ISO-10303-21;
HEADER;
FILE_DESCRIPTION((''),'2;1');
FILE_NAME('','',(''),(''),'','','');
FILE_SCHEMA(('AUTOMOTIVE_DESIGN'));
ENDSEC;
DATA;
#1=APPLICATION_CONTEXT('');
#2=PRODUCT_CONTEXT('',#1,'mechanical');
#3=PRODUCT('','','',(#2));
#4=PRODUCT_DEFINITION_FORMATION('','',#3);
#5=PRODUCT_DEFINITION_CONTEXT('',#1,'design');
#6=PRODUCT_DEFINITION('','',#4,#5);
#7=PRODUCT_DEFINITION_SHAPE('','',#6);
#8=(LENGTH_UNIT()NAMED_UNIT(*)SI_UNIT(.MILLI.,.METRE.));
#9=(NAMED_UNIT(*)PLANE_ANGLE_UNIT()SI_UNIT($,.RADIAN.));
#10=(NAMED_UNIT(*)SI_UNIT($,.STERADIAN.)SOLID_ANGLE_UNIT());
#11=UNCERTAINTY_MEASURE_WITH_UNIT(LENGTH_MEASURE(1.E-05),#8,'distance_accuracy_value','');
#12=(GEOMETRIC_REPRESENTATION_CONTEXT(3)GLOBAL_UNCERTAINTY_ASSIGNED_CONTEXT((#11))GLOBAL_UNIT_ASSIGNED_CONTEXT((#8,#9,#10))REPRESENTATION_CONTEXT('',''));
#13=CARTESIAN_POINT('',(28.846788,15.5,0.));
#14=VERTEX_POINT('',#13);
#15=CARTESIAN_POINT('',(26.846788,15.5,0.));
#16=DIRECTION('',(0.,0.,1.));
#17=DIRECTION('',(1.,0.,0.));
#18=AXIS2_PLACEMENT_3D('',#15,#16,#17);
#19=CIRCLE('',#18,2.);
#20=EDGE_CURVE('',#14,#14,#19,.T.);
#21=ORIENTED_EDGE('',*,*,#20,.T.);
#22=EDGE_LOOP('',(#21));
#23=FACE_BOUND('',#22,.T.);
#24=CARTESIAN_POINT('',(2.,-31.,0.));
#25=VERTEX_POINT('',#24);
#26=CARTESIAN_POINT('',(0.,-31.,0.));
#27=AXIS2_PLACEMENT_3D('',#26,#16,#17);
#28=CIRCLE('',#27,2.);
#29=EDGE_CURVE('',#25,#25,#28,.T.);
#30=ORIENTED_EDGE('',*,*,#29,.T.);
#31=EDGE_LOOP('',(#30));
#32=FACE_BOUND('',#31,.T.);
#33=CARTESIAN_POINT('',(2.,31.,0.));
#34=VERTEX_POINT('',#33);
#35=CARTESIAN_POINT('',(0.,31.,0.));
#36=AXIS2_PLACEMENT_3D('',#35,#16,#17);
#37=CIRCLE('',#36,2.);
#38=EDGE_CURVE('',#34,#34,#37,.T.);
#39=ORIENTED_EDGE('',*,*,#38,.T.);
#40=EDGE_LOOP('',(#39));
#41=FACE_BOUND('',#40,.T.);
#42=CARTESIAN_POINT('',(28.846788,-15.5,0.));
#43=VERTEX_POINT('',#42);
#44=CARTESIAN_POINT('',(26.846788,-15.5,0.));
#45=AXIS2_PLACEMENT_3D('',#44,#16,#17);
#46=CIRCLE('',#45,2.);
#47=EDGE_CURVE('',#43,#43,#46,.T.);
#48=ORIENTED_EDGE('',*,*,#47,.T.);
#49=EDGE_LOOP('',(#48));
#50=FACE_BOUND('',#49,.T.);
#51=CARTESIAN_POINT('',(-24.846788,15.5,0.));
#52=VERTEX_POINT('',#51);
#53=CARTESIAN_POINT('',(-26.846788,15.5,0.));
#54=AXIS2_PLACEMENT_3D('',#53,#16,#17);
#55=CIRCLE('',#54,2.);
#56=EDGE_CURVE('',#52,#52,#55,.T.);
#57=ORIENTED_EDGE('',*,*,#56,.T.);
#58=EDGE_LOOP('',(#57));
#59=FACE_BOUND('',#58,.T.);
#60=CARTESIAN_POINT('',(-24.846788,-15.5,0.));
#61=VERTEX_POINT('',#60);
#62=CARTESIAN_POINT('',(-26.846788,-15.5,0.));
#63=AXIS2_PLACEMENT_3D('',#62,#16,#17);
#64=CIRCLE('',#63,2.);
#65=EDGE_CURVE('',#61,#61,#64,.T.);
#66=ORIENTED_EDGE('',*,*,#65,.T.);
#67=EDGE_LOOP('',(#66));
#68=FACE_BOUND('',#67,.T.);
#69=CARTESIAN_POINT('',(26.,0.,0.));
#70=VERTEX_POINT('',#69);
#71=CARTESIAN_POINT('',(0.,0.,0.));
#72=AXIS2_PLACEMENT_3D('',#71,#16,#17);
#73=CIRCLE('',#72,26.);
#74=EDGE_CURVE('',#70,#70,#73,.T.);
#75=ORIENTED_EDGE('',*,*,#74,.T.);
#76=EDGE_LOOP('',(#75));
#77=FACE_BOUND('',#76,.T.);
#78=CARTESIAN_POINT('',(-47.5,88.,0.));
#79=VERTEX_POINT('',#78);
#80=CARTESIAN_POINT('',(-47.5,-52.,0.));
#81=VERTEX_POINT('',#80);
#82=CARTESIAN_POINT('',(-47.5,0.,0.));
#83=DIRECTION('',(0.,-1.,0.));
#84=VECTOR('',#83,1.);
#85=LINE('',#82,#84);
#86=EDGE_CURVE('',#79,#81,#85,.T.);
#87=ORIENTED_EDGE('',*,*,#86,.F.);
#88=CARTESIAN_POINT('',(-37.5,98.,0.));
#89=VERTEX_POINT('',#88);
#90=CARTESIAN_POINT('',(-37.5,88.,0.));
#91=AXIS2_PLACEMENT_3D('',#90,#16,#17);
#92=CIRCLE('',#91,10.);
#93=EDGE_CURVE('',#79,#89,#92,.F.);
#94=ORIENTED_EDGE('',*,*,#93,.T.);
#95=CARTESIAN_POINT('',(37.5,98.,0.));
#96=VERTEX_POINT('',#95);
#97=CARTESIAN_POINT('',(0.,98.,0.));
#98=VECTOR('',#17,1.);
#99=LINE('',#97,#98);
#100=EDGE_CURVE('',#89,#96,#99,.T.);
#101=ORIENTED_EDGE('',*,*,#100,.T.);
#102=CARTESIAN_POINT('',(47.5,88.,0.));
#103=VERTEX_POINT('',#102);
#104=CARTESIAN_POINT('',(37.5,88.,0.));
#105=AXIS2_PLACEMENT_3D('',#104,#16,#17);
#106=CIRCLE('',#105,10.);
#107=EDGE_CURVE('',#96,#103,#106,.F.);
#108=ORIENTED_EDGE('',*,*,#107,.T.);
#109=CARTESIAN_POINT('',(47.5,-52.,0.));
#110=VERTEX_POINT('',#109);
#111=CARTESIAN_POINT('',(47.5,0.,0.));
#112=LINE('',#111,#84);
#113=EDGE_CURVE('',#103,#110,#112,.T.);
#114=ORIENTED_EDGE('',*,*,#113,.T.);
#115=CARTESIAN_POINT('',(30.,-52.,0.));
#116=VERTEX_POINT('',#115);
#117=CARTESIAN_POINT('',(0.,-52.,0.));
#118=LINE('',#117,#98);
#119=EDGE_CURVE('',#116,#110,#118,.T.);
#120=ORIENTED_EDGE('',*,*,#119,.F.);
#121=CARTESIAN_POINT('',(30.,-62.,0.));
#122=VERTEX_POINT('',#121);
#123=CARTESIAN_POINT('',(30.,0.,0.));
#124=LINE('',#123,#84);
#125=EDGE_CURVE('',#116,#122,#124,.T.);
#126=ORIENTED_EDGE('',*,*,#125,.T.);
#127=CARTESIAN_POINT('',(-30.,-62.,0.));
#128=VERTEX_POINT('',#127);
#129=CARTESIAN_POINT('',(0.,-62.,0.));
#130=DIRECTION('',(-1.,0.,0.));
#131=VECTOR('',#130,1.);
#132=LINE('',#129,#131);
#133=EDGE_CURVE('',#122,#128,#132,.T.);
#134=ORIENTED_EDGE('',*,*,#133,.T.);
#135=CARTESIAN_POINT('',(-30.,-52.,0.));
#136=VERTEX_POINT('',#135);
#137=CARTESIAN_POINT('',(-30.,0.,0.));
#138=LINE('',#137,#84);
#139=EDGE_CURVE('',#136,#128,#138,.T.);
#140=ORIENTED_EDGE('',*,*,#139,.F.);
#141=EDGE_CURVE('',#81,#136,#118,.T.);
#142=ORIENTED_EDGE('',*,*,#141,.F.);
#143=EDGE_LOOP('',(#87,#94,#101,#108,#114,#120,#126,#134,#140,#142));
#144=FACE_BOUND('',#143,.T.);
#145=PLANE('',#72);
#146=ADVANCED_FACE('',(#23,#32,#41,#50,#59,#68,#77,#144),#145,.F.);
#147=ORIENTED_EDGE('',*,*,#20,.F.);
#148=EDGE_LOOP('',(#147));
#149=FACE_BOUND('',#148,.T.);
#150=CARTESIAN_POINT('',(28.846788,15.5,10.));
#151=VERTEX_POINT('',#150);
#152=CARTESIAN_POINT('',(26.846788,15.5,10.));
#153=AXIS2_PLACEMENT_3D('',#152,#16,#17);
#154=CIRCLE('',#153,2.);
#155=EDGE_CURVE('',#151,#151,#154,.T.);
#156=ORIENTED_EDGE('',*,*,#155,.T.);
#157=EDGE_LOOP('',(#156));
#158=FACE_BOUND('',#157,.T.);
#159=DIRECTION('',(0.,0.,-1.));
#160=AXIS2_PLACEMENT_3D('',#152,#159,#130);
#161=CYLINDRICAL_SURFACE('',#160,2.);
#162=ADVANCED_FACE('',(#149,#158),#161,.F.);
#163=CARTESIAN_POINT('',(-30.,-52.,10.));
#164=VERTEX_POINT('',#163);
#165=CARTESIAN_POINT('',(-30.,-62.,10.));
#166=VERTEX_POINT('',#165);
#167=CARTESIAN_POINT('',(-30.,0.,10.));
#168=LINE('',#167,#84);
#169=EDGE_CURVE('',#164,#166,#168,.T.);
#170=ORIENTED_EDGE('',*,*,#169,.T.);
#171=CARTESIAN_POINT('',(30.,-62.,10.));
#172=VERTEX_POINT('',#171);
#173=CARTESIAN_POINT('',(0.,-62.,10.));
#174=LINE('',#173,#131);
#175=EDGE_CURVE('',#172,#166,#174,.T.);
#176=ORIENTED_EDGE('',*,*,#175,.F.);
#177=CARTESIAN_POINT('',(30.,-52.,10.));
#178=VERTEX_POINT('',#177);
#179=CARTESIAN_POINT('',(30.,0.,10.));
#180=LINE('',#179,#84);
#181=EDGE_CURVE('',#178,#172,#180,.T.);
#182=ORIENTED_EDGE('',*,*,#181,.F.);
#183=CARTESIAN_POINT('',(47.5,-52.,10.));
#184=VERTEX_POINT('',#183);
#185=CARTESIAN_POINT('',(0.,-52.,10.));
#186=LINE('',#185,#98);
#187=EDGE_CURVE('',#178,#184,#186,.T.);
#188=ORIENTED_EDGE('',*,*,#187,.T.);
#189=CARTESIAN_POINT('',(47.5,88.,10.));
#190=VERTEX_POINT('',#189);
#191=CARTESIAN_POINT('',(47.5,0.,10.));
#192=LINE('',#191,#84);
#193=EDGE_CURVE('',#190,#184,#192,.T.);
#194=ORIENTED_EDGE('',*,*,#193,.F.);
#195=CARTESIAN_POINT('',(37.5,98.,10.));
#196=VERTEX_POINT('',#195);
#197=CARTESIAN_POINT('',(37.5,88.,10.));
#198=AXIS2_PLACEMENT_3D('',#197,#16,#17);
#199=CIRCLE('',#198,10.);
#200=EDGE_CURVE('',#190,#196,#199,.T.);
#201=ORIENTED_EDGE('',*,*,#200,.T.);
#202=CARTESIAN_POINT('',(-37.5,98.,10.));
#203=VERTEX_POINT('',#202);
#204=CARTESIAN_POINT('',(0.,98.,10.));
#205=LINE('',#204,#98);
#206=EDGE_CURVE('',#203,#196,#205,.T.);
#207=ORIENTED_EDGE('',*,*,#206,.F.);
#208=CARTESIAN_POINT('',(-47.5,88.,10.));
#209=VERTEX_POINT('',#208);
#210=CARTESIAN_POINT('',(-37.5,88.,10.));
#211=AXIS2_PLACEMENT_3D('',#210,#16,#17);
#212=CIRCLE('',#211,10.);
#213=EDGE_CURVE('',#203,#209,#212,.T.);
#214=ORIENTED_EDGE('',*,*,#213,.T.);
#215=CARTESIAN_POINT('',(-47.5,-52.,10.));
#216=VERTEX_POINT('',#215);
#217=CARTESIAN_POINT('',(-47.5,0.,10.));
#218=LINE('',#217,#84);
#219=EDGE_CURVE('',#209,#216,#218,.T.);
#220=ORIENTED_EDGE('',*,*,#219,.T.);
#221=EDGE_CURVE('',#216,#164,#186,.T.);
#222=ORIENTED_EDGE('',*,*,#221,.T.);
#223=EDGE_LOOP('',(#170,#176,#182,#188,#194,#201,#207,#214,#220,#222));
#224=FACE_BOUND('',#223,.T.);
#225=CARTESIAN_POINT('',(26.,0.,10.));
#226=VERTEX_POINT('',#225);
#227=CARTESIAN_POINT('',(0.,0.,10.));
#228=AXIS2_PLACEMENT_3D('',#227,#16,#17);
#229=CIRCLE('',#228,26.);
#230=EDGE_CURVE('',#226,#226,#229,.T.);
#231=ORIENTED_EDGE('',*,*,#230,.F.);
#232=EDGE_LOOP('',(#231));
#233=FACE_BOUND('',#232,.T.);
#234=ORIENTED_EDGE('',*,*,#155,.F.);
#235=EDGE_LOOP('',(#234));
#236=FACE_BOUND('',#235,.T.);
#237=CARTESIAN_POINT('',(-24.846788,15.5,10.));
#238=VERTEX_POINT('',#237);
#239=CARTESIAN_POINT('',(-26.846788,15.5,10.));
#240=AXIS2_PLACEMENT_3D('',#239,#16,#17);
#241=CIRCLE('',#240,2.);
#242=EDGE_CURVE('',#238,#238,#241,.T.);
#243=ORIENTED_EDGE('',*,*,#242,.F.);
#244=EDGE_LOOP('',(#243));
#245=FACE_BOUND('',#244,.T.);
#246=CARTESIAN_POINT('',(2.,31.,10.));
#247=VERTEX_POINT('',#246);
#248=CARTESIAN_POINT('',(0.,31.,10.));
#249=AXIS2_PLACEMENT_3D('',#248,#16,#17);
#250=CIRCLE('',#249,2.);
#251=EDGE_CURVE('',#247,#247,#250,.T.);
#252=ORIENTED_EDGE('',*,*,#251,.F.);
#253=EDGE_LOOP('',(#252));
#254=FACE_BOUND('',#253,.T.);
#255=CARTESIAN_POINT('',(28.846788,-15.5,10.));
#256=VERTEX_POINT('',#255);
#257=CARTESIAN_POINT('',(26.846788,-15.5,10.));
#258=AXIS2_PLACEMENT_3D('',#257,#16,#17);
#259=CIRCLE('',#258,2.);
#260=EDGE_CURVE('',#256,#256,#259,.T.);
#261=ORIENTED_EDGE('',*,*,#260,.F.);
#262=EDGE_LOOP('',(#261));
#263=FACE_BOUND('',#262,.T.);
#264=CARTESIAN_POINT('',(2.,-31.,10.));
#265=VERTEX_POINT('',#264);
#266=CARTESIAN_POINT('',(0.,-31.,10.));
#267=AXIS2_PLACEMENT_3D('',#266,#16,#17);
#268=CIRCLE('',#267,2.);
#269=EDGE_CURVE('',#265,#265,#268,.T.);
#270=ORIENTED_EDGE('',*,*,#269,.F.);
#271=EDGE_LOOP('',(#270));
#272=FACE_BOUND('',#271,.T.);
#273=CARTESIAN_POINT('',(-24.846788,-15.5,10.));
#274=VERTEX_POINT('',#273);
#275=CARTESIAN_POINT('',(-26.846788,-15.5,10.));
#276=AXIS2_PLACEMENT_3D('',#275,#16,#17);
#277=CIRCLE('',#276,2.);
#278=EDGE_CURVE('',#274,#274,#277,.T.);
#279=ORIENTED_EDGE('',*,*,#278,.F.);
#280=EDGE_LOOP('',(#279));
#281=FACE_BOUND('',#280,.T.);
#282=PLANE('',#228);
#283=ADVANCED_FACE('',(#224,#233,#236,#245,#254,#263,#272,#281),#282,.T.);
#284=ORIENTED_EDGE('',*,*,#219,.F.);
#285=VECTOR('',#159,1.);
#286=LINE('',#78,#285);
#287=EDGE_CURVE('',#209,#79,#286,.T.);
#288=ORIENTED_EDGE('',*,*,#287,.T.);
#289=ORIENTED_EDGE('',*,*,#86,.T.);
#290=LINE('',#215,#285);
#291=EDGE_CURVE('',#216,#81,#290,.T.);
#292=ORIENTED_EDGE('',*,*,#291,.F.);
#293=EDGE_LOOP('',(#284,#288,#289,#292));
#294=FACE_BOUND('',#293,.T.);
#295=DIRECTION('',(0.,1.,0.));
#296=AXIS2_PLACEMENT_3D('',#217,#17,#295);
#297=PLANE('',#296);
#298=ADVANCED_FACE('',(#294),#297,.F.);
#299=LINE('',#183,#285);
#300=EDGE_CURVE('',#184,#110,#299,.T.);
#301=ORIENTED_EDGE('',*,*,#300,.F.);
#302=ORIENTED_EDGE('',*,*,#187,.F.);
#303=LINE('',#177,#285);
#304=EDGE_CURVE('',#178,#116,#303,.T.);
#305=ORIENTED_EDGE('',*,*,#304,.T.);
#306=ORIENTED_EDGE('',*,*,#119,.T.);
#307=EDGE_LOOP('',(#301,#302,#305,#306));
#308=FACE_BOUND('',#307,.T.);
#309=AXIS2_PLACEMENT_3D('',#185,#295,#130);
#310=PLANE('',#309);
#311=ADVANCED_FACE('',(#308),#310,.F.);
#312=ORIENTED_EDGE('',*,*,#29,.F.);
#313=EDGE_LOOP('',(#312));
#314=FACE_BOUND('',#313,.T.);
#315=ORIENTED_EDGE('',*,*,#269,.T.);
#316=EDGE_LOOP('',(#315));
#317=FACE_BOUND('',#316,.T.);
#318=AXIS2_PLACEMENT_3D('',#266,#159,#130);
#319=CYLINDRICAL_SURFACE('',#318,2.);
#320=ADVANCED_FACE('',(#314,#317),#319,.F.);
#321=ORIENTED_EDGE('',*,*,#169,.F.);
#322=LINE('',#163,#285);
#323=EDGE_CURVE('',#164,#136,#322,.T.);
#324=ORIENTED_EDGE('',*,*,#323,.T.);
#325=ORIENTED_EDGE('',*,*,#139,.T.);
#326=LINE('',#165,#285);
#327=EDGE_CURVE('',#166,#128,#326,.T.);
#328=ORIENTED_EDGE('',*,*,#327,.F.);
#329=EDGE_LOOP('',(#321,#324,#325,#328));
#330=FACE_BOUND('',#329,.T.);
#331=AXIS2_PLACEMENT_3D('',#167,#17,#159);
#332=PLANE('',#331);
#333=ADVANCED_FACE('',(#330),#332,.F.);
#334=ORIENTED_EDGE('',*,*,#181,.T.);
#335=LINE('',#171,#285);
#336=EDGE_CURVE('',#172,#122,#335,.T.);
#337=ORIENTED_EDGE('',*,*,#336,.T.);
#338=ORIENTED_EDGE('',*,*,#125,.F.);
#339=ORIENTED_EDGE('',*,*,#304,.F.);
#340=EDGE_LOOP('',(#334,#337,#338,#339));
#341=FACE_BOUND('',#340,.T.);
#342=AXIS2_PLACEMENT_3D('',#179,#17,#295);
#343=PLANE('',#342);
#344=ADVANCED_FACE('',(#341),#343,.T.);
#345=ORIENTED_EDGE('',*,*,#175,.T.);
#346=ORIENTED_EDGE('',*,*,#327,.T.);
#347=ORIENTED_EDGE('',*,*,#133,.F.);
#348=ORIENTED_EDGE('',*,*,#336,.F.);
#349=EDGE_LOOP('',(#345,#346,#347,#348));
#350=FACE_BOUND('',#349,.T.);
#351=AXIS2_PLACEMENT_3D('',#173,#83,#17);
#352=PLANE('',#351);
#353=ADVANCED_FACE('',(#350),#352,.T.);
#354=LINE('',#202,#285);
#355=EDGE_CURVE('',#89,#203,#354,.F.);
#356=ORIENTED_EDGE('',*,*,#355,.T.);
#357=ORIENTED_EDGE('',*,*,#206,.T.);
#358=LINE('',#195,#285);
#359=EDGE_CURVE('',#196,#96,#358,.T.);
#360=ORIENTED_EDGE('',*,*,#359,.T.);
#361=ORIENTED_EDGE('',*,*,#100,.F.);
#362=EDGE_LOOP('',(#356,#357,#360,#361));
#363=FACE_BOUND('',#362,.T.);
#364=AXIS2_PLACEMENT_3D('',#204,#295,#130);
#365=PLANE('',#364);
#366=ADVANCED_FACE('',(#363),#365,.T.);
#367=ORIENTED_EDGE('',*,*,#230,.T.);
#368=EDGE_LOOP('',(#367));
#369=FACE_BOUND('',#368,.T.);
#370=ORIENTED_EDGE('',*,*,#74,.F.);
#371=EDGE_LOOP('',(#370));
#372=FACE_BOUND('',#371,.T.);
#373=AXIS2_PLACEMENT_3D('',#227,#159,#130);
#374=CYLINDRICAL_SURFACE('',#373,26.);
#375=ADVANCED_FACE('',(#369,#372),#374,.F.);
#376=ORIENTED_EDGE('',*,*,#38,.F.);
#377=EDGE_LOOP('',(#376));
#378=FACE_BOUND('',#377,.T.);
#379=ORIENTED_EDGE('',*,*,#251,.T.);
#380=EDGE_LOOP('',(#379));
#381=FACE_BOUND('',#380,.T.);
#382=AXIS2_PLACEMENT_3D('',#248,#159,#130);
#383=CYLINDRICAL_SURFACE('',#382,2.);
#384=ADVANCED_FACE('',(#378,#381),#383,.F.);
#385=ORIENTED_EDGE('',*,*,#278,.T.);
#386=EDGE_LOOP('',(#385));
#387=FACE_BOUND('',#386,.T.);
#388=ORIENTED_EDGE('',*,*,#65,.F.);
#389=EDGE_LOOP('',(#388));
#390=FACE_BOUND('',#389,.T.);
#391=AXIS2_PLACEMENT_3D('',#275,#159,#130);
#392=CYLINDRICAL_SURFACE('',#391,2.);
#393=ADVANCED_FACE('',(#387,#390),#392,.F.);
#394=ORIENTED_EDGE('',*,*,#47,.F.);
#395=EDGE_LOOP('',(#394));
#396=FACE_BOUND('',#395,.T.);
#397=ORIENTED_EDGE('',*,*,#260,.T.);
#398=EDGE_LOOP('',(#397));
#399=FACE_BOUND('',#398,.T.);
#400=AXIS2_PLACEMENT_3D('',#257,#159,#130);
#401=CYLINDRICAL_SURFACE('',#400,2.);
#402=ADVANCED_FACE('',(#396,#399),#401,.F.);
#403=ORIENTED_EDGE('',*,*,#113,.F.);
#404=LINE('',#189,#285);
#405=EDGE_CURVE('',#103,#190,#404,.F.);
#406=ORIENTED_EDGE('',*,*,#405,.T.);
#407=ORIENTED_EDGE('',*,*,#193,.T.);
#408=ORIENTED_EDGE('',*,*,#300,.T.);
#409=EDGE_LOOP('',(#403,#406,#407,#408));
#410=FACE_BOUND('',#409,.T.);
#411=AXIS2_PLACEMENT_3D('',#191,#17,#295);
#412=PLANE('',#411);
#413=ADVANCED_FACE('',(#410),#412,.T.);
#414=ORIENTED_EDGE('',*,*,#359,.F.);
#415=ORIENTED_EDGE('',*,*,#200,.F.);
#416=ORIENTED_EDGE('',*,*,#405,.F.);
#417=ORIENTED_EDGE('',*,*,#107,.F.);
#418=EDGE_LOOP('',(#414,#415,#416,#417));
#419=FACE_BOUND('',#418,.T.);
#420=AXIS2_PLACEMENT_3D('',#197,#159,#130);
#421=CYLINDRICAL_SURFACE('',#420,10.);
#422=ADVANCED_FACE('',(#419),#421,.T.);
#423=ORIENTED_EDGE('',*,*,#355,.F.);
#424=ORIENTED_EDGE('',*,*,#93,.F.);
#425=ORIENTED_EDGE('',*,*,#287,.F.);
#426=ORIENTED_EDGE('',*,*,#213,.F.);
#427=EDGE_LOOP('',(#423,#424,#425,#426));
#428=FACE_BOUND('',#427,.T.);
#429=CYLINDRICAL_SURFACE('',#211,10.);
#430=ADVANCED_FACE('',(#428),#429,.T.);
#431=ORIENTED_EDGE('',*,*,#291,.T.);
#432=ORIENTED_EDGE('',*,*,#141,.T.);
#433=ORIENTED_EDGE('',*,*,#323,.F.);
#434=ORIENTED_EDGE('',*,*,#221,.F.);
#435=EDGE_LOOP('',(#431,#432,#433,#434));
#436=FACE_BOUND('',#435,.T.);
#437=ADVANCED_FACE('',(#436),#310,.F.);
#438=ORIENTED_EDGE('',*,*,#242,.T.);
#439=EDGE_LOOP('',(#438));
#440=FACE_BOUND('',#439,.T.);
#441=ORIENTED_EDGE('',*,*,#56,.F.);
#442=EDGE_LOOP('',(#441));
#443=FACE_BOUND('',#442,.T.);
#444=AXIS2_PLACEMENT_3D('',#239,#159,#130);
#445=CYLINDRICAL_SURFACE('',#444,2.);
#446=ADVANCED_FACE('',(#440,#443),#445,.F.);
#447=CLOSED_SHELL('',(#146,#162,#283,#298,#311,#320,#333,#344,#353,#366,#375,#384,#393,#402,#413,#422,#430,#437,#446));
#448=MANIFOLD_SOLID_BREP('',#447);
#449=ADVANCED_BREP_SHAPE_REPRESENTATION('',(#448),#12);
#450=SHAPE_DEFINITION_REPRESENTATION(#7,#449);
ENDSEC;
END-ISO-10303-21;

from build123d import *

# Parameters (mm, degrees)
SKETCH1_W           = 95
SKETCH1_H           = 150
SKETCH1_R           = 2
SKETCH1_R_2         = 26
SKETCH1_W_2         = 60
SKETCH1_H_2         = 10
BOSS_EXTRUDE1_DEPTH = 10
FILLET1_R           = 10


with BuildPart() as part:
    # Sketch1 → Boss-Extrude1 (new body)
    # profile 1 of 2: a face of its own
    with BuildSketch(Plane.XY):
        with Locations((0, 23)):
            Rectangle(SKETCH1_W, SKETCH1_H)
        with Locations((-26.846787517, 15.5)):
            Circle(SKETCH1_R, mode=Mode.SUBTRACT)
        with Locations((-26.846787517, -15.5)):
            Circle(SKETCH1_R, mode=Mode.SUBTRACT)
        with Locations((0, -31)):
            Circle(SKETCH1_R, mode=Mode.SUBTRACT)
        with Locations((26.846787517, -15.5)):
            Circle(SKETCH1_R, mode=Mode.SUBTRACT)
        with Locations((26.846787517, 15.5)):
            Circle(SKETCH1_R, mode=Mode.SUBTRACT)
        with Locations((0, 31)):
            Circle(SKETCH1_R, mode=Mode.SUBTRACT)
        Circle(SKETCH1_R_2, mode=Mode.SUBTRACT)
    # profile 2 of 2: a face of its own
    with BuildSketch(Plane.XY):
        with Locations((0, -57)):
            Rectangle(SKETCH1_W_2, SKETCH1_H_2)
    extrude(amount=BOSS_EXTRUDE1_DEPTH)

    # Fillet1
    fillet1_edges = [part.edges().sort_by_distance(p)[0] for p in [
        (-47.5, 98, 5),
        (47.5, 98, 5),
    ]]
    fillet(fillet1_edges, radius=FILLET1_R)


solid = part.part
